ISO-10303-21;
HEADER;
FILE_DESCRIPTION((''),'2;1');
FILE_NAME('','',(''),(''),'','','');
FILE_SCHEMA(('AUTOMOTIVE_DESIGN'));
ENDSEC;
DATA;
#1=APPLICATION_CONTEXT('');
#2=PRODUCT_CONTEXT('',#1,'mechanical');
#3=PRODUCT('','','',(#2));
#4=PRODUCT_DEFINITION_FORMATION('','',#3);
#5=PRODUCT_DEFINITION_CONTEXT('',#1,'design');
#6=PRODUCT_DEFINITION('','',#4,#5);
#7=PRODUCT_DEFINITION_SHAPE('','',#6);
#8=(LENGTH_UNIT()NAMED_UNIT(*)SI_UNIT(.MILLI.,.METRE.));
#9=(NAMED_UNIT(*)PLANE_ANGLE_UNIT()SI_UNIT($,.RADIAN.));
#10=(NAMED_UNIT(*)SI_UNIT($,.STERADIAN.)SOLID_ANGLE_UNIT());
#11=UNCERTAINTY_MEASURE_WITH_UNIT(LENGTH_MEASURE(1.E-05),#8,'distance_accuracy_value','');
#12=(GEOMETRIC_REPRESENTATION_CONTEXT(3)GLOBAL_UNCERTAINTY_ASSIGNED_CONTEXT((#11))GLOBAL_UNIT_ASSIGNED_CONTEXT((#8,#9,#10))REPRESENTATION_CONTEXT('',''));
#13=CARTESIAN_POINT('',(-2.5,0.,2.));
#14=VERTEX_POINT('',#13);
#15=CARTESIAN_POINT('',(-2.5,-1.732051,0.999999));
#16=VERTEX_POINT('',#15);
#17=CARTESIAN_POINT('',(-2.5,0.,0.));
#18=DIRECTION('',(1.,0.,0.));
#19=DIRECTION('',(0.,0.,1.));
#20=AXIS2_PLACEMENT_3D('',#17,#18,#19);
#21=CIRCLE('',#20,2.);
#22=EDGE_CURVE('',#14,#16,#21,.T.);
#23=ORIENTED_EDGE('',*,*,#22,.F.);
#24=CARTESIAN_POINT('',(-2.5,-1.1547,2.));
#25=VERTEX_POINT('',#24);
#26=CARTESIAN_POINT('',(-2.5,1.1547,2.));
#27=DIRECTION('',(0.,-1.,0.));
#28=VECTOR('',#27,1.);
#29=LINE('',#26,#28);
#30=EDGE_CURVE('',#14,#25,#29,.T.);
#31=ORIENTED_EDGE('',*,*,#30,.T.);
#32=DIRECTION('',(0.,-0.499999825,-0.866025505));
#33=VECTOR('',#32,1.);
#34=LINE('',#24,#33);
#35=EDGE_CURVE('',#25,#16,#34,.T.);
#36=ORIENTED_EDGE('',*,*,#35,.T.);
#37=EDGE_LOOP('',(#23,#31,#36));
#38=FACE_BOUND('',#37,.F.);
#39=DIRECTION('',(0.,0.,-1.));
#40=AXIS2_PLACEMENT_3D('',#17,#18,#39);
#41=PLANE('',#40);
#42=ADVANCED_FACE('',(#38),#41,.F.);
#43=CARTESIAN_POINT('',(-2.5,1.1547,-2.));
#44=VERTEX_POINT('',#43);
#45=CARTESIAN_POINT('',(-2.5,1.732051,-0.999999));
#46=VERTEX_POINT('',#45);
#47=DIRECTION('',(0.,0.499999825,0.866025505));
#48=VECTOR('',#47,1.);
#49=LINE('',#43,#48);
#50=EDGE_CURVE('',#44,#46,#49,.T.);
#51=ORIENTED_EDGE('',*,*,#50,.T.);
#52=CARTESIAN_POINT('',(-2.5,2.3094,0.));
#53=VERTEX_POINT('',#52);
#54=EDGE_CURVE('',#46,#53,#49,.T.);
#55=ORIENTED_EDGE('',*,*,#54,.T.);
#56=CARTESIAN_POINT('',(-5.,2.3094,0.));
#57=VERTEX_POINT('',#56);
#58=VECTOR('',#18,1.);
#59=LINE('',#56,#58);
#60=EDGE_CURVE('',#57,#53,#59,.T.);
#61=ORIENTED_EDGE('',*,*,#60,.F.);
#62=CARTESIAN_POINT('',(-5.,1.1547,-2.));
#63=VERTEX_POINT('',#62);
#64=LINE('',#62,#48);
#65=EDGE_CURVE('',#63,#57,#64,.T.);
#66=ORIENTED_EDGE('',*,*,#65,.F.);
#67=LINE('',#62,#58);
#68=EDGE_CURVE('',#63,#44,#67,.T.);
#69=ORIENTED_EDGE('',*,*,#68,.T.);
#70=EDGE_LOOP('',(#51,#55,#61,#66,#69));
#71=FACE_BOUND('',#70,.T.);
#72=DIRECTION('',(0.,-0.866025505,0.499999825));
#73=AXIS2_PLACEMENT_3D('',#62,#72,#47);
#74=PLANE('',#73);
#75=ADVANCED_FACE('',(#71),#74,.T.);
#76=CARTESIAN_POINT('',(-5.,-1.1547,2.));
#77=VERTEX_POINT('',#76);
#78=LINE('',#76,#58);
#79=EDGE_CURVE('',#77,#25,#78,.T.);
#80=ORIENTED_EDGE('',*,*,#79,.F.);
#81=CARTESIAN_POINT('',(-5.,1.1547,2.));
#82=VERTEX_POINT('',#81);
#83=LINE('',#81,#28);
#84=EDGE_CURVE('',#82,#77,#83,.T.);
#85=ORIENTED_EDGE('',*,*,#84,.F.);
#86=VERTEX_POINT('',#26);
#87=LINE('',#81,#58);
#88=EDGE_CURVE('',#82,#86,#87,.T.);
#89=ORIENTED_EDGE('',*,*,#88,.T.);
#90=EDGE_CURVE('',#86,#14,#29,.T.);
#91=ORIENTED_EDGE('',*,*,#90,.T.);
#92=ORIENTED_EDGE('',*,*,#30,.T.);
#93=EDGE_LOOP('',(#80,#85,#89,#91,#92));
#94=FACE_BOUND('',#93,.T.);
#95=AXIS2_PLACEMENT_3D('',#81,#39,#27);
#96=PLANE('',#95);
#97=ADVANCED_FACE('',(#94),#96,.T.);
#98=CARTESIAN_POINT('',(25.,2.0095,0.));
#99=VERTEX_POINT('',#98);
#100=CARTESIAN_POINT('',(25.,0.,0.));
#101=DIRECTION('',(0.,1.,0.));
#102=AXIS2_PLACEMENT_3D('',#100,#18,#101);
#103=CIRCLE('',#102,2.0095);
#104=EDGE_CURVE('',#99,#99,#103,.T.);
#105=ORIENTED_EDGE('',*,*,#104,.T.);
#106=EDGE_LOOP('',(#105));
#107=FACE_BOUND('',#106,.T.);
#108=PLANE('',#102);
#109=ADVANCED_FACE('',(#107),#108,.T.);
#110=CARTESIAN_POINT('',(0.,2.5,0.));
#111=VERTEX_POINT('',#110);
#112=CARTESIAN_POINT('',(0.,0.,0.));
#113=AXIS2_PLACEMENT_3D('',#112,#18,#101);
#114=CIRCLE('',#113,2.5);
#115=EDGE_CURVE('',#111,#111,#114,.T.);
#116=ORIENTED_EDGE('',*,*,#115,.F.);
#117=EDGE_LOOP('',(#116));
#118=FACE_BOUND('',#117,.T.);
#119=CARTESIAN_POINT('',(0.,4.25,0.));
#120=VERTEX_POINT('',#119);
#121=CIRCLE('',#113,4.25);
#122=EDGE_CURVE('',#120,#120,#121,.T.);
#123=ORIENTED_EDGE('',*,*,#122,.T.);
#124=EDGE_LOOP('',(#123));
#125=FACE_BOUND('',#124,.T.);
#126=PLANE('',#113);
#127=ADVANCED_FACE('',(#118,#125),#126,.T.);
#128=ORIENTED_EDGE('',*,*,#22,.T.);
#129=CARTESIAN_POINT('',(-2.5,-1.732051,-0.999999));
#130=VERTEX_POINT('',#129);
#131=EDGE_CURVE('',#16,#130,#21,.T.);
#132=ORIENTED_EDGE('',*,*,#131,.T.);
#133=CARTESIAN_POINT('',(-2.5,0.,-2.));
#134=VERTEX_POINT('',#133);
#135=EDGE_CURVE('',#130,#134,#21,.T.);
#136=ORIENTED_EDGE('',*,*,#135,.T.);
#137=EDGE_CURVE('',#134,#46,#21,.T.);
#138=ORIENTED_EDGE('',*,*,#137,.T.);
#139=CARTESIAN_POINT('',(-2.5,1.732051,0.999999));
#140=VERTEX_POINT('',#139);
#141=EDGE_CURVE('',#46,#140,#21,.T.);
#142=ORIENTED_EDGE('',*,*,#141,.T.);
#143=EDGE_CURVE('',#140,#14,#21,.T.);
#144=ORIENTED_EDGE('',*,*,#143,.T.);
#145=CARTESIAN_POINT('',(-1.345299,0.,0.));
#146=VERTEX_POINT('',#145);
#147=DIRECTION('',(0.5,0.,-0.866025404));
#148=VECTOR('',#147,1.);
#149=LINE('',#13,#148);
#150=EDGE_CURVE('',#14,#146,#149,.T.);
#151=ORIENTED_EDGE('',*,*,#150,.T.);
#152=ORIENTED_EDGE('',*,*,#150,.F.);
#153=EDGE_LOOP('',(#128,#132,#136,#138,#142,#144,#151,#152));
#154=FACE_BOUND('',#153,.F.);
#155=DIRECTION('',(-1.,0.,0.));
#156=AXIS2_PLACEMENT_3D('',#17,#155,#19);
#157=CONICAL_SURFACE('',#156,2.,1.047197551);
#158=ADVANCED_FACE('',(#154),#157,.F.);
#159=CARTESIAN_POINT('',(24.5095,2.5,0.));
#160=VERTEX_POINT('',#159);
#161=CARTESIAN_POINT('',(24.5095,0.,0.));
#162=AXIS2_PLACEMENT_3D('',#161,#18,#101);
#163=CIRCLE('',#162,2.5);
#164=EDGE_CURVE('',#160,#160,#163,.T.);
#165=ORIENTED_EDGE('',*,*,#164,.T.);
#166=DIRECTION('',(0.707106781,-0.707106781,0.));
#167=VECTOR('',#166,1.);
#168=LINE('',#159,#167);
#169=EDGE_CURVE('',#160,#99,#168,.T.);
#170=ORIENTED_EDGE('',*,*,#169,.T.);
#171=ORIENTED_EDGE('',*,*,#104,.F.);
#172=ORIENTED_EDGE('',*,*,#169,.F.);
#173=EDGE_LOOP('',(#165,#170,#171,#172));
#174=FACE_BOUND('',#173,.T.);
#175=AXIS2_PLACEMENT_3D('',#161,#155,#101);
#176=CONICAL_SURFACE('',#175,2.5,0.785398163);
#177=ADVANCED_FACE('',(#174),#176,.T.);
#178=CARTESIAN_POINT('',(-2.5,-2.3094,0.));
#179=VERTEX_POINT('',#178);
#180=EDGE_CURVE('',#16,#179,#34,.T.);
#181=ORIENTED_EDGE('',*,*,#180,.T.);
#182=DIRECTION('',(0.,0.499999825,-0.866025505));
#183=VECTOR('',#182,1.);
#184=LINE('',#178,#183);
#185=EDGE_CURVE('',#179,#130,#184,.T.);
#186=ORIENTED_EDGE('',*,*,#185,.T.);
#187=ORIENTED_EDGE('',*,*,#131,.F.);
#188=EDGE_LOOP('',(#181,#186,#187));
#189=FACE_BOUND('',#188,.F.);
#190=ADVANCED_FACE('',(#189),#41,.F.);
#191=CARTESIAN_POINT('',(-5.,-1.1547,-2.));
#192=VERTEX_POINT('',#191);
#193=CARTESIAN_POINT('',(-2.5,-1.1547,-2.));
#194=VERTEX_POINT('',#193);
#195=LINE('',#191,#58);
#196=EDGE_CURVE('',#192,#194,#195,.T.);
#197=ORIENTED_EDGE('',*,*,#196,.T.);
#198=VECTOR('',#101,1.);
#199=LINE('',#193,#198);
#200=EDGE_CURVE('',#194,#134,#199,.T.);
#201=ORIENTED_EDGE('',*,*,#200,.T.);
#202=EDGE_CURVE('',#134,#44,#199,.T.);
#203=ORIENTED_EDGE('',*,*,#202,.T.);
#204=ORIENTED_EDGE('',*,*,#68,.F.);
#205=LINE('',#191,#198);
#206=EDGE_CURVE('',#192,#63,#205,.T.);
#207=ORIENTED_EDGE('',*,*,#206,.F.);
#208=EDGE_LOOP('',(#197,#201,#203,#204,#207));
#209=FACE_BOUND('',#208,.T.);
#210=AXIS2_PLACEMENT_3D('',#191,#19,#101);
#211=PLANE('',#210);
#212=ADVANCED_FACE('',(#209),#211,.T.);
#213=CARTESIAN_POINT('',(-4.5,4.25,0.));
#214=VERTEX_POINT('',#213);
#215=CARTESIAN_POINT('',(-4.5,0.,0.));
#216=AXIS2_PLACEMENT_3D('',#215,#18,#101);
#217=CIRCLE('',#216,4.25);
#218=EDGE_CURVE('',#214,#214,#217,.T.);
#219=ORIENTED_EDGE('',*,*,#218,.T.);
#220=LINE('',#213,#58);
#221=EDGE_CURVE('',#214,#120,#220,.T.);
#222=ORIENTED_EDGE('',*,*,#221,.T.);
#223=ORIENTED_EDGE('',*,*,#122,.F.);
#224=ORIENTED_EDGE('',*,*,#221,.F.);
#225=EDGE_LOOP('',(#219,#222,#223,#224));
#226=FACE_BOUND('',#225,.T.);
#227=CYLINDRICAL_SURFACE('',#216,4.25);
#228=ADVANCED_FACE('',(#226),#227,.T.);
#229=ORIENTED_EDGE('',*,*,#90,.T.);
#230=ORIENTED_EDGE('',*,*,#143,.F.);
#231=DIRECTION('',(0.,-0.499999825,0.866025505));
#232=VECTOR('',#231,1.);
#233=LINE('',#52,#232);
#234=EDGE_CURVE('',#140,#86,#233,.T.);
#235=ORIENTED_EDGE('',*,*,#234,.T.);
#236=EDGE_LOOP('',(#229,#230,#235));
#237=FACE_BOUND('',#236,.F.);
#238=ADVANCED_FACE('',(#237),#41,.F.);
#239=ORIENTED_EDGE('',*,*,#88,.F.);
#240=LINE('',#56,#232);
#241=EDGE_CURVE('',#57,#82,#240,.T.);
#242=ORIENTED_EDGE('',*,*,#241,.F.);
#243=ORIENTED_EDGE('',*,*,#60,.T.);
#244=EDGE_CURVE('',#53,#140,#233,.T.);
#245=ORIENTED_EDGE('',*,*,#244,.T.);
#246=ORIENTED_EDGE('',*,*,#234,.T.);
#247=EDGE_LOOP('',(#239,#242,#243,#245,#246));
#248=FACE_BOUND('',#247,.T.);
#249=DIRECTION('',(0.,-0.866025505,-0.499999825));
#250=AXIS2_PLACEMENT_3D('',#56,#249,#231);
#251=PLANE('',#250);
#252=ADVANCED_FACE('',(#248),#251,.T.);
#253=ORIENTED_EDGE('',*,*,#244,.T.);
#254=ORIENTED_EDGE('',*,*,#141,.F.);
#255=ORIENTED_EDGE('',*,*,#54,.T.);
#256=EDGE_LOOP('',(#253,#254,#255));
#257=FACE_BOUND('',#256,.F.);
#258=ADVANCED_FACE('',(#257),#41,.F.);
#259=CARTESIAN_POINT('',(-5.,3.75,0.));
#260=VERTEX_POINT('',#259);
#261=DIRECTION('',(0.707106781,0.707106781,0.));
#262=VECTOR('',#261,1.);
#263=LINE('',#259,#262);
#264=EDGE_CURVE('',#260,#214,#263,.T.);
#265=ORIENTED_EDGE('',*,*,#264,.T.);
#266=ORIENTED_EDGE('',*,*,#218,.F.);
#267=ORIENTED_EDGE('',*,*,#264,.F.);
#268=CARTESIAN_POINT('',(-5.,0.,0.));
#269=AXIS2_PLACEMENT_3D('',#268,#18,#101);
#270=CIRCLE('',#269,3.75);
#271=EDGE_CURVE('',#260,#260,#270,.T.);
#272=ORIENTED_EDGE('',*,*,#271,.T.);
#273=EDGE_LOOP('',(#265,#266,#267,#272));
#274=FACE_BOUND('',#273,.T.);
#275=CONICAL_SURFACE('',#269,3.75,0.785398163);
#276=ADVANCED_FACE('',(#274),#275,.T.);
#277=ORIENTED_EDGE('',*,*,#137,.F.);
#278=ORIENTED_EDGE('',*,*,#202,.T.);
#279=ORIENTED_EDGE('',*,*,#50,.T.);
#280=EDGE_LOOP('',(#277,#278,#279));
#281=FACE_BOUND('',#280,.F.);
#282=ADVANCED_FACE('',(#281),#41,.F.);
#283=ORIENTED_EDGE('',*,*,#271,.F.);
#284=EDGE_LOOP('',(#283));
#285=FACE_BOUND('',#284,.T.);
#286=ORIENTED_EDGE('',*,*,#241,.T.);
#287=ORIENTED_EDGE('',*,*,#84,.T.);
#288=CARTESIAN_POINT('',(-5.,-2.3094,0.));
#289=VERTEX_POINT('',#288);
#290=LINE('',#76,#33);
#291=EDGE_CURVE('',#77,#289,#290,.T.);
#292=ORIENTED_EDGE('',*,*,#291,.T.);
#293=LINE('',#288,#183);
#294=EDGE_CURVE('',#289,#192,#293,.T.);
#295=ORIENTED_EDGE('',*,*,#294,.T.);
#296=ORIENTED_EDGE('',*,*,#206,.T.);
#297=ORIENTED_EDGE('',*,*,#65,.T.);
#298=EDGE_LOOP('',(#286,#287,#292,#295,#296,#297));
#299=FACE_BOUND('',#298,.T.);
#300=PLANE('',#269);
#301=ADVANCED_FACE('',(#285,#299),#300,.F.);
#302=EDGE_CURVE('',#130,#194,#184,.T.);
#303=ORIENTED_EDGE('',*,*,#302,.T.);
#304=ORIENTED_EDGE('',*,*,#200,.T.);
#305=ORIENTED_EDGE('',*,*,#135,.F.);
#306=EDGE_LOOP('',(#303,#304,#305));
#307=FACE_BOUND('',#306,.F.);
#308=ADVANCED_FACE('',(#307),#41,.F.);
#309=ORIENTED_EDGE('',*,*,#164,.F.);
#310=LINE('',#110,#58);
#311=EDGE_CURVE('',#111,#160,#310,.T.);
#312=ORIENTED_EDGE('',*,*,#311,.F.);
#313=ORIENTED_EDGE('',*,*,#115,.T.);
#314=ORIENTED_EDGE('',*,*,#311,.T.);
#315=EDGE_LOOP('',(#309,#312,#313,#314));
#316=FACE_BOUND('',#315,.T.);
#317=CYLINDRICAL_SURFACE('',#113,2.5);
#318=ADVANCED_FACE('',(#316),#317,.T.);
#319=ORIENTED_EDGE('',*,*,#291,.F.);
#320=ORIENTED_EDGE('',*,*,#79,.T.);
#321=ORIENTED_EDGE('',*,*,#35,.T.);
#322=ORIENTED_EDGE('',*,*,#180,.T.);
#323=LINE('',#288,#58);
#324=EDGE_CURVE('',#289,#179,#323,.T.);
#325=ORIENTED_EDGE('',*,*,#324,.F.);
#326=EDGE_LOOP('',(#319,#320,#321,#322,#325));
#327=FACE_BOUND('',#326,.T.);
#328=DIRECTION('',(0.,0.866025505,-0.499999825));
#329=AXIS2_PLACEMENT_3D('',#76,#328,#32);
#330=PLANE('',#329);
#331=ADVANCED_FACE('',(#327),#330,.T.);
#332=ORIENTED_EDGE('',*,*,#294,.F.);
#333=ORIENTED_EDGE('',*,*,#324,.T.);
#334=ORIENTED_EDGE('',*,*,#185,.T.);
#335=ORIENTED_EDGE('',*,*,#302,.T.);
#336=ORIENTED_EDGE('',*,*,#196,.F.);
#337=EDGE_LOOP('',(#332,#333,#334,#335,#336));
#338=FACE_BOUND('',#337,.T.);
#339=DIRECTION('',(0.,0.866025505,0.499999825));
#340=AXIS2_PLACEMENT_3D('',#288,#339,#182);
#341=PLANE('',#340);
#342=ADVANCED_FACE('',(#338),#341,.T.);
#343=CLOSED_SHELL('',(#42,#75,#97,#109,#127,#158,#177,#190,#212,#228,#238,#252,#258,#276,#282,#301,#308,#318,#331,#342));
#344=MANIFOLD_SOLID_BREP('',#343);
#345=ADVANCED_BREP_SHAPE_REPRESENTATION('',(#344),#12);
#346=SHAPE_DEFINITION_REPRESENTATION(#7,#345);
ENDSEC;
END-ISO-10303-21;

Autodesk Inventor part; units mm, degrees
sketch "Sketch_1" plane through (0, 0, 0) normal (0, 0, 1) x (1, 0, 0)
  line L0 (25, 0) -> (-5, 0)
  line L1 (-5, 0) -> (-5, 3.75)
  line L2 (-5, 3.75) -> (-4.5, 4.25)
  line L3 (-4.5, 4.25) -> (0, 4.25)
  line L4 (0, 4.25) -> (0, 2.5)
  line L5 (0, 2.5) -> (24.5095, 2.5)
  line L6 (24.5095, 2.5) -> (25, 2.0095)
  line L7 (25, 2.0095) -> (25, 0)
  line L8 (25, 0) -> (-5, 0)
revolve "Revolution1" add sketch "Sketch_1" angle 360 about axis through (25, 0, 0) along (1, 0, 0)
thread "Thread1" size "M5x0.8" class "6g" standard "ISO Metric profile" length 24.2 offset 0.8
sketch "Sketch2" plane through (-5, 0, 0) normal (-1, 0, 0) x (0, 0, 1)
  point P0 (0, 0)
hole "Hole1" at (-5, 0, 0) direction (1, 0, 0) diameter 4 depth 2.5 tip angle 120
sketch "Sketch_3" plane through (-5, 0, 0) normal (1, 0, 0) x (0, 0, -1)
  line L0 (-2, -1.1547) -> (0, -2.3094)
  line L1 (0, -2.3094) -> (2, -1.1547)
  line L2 (2, -1.1547) -> (2, 1.1547)
  line L3 (2, 1.1547) -> (0, 2.3094)
  line L4 (0, 2.3094) -> (-2, 1.1547)
  line L5 (-2, 1.1547) -> (-2, -1.1547)
extrude "Extrusion1" cut sketch "Sketch_3" along normal blind 2.5
ref_plane "bolt_XY" through (25, 0, 0) normal (1, 0, 0) x (0, 0, -1)
ref_plane "bolt_YZ" through (25, 0, 0) normal (0, 0, -1) x (0, 1, 0)
ref_plane "bolt_ZX" through (25, 0, 0) normal (0, 1, 0) x (1, 0, 0)
ref_plane "nut_XY" through (0, 0, 0) normal (1, 0, 0) x (0, 0, -1)
ref_plane "nut_YZ" through (0, 0, 0) normal (0, 0, -1) x (0, 1, 0)
ref_plane "nut_ZX" through (0, 0, 0) normal (0, 1, 0) x (1, 0, 0)
properties part number "CBE5-25"
